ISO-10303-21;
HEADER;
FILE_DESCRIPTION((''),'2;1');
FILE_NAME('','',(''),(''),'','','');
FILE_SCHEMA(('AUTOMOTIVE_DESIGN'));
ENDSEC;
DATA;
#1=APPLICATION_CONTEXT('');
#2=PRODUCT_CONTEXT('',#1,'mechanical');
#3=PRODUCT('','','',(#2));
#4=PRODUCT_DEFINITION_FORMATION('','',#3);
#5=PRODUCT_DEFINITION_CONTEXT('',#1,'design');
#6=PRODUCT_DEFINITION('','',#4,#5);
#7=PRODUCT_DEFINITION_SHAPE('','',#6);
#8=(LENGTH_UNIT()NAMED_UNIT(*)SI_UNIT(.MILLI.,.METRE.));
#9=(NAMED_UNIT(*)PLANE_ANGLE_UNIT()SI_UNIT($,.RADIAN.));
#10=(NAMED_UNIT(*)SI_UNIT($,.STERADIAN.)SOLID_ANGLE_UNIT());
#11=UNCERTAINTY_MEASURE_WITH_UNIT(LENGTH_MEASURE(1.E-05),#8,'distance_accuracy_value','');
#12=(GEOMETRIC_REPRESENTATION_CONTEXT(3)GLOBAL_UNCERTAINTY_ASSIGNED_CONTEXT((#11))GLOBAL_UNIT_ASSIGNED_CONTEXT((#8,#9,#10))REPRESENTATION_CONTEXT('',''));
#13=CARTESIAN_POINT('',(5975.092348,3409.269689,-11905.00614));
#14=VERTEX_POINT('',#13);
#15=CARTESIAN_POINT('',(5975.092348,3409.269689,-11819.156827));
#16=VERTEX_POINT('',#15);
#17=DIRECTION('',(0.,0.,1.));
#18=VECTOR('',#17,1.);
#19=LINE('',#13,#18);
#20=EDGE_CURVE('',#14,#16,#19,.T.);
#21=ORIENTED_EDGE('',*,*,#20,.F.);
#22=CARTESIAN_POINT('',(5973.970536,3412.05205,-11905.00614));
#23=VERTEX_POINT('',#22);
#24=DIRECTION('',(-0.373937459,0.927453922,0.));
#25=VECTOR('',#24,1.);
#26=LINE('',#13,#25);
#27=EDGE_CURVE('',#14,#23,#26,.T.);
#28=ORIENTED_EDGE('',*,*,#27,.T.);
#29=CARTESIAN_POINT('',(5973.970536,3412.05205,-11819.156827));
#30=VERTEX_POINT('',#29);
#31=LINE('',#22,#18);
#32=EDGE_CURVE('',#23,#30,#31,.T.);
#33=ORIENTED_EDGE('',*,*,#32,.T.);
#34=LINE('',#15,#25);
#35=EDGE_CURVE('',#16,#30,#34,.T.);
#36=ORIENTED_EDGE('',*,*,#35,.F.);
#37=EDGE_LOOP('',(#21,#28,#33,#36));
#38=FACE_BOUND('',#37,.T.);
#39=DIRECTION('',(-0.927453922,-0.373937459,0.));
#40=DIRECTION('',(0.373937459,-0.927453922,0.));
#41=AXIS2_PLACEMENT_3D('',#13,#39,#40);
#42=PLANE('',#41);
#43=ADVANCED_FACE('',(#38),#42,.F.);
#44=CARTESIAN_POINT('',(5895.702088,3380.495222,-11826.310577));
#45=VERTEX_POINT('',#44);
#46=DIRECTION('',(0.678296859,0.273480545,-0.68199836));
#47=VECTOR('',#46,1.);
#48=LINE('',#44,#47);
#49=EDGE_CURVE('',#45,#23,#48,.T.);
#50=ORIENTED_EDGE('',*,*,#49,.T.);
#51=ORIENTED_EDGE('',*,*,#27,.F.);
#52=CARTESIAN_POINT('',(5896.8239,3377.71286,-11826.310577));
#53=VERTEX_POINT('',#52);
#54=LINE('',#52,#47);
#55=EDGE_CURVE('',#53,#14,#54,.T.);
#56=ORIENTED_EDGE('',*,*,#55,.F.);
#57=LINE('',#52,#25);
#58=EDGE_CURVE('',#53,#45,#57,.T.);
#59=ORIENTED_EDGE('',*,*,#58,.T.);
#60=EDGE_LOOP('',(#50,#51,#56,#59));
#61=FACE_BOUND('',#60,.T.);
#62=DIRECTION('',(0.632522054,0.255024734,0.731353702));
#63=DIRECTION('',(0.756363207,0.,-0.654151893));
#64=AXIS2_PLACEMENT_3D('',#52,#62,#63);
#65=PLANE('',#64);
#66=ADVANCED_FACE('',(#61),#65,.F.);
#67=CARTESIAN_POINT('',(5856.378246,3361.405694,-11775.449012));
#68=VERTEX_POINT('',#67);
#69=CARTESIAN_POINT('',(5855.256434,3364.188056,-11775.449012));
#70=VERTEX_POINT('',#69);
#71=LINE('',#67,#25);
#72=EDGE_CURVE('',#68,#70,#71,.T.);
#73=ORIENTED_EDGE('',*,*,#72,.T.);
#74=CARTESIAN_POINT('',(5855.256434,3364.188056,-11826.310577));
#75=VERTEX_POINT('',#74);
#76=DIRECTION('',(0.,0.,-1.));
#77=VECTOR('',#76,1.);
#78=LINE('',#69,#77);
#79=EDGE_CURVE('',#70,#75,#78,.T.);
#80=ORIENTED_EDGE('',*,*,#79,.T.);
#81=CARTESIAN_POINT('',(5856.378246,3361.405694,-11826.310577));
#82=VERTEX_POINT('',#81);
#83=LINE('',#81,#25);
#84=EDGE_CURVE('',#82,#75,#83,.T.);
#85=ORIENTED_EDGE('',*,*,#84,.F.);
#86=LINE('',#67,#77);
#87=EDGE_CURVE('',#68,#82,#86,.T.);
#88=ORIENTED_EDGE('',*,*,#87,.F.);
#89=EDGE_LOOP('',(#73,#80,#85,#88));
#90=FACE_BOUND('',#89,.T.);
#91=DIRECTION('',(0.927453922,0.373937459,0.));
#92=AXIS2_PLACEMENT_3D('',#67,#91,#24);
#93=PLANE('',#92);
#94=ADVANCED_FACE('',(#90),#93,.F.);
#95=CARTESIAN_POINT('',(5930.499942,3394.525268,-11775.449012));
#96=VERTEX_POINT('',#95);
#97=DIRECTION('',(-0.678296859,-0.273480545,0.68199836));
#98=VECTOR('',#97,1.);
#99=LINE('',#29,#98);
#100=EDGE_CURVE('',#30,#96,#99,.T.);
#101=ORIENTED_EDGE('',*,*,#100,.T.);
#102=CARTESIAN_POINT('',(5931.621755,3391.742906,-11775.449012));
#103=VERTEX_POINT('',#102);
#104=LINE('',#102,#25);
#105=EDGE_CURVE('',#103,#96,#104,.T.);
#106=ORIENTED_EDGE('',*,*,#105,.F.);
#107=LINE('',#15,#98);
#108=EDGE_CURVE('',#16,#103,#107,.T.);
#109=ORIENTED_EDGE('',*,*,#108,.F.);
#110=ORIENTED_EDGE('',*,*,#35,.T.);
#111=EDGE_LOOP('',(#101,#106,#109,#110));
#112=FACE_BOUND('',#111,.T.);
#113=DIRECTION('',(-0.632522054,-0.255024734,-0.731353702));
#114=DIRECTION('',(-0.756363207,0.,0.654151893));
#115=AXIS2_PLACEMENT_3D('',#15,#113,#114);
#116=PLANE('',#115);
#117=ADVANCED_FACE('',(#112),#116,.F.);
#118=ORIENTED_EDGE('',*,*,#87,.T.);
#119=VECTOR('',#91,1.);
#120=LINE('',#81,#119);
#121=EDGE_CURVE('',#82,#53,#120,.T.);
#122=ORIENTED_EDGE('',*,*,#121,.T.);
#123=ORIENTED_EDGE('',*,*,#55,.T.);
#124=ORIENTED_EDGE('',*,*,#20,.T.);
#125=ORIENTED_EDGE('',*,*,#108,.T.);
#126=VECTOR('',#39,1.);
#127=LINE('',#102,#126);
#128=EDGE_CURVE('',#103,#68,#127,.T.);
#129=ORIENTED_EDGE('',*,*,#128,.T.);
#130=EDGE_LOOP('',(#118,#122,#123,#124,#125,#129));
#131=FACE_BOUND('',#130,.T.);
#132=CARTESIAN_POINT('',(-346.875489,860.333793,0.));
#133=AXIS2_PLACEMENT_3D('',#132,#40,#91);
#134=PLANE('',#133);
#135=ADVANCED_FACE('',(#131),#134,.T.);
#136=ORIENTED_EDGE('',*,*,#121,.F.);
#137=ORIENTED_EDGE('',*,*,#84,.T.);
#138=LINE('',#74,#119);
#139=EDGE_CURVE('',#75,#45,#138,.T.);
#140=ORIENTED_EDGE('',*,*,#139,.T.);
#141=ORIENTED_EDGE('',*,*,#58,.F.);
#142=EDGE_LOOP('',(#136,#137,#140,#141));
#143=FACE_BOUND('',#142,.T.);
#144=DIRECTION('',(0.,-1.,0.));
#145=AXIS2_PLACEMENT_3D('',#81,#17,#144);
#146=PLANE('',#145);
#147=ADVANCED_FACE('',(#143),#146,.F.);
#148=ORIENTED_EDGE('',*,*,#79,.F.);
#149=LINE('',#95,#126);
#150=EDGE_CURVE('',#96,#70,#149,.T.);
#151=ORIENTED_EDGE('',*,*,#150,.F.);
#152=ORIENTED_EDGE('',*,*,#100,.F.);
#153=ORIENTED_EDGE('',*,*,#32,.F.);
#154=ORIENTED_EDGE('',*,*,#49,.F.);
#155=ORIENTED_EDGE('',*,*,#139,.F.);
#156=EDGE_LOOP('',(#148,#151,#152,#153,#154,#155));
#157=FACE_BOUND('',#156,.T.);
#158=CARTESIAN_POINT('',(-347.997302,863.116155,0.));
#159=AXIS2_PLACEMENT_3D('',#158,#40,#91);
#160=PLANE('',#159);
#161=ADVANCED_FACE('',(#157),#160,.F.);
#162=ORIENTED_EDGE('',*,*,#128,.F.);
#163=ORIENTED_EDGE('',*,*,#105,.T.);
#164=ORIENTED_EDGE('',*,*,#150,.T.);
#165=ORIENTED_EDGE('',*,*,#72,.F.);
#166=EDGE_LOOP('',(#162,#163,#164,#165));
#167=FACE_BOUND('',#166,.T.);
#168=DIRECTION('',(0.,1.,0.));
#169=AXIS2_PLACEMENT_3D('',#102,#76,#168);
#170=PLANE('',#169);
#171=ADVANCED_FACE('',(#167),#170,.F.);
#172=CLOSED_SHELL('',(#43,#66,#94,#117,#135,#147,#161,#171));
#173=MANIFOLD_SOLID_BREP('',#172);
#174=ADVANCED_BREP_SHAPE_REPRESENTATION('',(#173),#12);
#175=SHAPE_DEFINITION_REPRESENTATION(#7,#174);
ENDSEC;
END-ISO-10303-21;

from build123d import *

# Parameters (mm, degrees)
BOSS_EXTRUDE1_DEPTH = 3


with BuildPart() as part:
    # Sketch2 → Boss-Extrude1 (new body)
    with BuildSketch(Plane(origin=(-347.997301686, 863.116155105, 7.6e-08), x_dir=(0.927453922, 0.373937459, 0), z_dir=(0.373937459, -0.927453922, 0))):
        Polygon((6688.476475049, -11775.449012078), (6688.476475049, -11826.310577196), (6732.085815802, -11826.310577196), (6816.476475047, -11905.006140071), (6816.476475047, -11819.156826678), (6769.605582286, -11775.449012078), align=None)
    extrude(amount=BOSS_EXTRUDE1_DEPTH)


solid = part.part
